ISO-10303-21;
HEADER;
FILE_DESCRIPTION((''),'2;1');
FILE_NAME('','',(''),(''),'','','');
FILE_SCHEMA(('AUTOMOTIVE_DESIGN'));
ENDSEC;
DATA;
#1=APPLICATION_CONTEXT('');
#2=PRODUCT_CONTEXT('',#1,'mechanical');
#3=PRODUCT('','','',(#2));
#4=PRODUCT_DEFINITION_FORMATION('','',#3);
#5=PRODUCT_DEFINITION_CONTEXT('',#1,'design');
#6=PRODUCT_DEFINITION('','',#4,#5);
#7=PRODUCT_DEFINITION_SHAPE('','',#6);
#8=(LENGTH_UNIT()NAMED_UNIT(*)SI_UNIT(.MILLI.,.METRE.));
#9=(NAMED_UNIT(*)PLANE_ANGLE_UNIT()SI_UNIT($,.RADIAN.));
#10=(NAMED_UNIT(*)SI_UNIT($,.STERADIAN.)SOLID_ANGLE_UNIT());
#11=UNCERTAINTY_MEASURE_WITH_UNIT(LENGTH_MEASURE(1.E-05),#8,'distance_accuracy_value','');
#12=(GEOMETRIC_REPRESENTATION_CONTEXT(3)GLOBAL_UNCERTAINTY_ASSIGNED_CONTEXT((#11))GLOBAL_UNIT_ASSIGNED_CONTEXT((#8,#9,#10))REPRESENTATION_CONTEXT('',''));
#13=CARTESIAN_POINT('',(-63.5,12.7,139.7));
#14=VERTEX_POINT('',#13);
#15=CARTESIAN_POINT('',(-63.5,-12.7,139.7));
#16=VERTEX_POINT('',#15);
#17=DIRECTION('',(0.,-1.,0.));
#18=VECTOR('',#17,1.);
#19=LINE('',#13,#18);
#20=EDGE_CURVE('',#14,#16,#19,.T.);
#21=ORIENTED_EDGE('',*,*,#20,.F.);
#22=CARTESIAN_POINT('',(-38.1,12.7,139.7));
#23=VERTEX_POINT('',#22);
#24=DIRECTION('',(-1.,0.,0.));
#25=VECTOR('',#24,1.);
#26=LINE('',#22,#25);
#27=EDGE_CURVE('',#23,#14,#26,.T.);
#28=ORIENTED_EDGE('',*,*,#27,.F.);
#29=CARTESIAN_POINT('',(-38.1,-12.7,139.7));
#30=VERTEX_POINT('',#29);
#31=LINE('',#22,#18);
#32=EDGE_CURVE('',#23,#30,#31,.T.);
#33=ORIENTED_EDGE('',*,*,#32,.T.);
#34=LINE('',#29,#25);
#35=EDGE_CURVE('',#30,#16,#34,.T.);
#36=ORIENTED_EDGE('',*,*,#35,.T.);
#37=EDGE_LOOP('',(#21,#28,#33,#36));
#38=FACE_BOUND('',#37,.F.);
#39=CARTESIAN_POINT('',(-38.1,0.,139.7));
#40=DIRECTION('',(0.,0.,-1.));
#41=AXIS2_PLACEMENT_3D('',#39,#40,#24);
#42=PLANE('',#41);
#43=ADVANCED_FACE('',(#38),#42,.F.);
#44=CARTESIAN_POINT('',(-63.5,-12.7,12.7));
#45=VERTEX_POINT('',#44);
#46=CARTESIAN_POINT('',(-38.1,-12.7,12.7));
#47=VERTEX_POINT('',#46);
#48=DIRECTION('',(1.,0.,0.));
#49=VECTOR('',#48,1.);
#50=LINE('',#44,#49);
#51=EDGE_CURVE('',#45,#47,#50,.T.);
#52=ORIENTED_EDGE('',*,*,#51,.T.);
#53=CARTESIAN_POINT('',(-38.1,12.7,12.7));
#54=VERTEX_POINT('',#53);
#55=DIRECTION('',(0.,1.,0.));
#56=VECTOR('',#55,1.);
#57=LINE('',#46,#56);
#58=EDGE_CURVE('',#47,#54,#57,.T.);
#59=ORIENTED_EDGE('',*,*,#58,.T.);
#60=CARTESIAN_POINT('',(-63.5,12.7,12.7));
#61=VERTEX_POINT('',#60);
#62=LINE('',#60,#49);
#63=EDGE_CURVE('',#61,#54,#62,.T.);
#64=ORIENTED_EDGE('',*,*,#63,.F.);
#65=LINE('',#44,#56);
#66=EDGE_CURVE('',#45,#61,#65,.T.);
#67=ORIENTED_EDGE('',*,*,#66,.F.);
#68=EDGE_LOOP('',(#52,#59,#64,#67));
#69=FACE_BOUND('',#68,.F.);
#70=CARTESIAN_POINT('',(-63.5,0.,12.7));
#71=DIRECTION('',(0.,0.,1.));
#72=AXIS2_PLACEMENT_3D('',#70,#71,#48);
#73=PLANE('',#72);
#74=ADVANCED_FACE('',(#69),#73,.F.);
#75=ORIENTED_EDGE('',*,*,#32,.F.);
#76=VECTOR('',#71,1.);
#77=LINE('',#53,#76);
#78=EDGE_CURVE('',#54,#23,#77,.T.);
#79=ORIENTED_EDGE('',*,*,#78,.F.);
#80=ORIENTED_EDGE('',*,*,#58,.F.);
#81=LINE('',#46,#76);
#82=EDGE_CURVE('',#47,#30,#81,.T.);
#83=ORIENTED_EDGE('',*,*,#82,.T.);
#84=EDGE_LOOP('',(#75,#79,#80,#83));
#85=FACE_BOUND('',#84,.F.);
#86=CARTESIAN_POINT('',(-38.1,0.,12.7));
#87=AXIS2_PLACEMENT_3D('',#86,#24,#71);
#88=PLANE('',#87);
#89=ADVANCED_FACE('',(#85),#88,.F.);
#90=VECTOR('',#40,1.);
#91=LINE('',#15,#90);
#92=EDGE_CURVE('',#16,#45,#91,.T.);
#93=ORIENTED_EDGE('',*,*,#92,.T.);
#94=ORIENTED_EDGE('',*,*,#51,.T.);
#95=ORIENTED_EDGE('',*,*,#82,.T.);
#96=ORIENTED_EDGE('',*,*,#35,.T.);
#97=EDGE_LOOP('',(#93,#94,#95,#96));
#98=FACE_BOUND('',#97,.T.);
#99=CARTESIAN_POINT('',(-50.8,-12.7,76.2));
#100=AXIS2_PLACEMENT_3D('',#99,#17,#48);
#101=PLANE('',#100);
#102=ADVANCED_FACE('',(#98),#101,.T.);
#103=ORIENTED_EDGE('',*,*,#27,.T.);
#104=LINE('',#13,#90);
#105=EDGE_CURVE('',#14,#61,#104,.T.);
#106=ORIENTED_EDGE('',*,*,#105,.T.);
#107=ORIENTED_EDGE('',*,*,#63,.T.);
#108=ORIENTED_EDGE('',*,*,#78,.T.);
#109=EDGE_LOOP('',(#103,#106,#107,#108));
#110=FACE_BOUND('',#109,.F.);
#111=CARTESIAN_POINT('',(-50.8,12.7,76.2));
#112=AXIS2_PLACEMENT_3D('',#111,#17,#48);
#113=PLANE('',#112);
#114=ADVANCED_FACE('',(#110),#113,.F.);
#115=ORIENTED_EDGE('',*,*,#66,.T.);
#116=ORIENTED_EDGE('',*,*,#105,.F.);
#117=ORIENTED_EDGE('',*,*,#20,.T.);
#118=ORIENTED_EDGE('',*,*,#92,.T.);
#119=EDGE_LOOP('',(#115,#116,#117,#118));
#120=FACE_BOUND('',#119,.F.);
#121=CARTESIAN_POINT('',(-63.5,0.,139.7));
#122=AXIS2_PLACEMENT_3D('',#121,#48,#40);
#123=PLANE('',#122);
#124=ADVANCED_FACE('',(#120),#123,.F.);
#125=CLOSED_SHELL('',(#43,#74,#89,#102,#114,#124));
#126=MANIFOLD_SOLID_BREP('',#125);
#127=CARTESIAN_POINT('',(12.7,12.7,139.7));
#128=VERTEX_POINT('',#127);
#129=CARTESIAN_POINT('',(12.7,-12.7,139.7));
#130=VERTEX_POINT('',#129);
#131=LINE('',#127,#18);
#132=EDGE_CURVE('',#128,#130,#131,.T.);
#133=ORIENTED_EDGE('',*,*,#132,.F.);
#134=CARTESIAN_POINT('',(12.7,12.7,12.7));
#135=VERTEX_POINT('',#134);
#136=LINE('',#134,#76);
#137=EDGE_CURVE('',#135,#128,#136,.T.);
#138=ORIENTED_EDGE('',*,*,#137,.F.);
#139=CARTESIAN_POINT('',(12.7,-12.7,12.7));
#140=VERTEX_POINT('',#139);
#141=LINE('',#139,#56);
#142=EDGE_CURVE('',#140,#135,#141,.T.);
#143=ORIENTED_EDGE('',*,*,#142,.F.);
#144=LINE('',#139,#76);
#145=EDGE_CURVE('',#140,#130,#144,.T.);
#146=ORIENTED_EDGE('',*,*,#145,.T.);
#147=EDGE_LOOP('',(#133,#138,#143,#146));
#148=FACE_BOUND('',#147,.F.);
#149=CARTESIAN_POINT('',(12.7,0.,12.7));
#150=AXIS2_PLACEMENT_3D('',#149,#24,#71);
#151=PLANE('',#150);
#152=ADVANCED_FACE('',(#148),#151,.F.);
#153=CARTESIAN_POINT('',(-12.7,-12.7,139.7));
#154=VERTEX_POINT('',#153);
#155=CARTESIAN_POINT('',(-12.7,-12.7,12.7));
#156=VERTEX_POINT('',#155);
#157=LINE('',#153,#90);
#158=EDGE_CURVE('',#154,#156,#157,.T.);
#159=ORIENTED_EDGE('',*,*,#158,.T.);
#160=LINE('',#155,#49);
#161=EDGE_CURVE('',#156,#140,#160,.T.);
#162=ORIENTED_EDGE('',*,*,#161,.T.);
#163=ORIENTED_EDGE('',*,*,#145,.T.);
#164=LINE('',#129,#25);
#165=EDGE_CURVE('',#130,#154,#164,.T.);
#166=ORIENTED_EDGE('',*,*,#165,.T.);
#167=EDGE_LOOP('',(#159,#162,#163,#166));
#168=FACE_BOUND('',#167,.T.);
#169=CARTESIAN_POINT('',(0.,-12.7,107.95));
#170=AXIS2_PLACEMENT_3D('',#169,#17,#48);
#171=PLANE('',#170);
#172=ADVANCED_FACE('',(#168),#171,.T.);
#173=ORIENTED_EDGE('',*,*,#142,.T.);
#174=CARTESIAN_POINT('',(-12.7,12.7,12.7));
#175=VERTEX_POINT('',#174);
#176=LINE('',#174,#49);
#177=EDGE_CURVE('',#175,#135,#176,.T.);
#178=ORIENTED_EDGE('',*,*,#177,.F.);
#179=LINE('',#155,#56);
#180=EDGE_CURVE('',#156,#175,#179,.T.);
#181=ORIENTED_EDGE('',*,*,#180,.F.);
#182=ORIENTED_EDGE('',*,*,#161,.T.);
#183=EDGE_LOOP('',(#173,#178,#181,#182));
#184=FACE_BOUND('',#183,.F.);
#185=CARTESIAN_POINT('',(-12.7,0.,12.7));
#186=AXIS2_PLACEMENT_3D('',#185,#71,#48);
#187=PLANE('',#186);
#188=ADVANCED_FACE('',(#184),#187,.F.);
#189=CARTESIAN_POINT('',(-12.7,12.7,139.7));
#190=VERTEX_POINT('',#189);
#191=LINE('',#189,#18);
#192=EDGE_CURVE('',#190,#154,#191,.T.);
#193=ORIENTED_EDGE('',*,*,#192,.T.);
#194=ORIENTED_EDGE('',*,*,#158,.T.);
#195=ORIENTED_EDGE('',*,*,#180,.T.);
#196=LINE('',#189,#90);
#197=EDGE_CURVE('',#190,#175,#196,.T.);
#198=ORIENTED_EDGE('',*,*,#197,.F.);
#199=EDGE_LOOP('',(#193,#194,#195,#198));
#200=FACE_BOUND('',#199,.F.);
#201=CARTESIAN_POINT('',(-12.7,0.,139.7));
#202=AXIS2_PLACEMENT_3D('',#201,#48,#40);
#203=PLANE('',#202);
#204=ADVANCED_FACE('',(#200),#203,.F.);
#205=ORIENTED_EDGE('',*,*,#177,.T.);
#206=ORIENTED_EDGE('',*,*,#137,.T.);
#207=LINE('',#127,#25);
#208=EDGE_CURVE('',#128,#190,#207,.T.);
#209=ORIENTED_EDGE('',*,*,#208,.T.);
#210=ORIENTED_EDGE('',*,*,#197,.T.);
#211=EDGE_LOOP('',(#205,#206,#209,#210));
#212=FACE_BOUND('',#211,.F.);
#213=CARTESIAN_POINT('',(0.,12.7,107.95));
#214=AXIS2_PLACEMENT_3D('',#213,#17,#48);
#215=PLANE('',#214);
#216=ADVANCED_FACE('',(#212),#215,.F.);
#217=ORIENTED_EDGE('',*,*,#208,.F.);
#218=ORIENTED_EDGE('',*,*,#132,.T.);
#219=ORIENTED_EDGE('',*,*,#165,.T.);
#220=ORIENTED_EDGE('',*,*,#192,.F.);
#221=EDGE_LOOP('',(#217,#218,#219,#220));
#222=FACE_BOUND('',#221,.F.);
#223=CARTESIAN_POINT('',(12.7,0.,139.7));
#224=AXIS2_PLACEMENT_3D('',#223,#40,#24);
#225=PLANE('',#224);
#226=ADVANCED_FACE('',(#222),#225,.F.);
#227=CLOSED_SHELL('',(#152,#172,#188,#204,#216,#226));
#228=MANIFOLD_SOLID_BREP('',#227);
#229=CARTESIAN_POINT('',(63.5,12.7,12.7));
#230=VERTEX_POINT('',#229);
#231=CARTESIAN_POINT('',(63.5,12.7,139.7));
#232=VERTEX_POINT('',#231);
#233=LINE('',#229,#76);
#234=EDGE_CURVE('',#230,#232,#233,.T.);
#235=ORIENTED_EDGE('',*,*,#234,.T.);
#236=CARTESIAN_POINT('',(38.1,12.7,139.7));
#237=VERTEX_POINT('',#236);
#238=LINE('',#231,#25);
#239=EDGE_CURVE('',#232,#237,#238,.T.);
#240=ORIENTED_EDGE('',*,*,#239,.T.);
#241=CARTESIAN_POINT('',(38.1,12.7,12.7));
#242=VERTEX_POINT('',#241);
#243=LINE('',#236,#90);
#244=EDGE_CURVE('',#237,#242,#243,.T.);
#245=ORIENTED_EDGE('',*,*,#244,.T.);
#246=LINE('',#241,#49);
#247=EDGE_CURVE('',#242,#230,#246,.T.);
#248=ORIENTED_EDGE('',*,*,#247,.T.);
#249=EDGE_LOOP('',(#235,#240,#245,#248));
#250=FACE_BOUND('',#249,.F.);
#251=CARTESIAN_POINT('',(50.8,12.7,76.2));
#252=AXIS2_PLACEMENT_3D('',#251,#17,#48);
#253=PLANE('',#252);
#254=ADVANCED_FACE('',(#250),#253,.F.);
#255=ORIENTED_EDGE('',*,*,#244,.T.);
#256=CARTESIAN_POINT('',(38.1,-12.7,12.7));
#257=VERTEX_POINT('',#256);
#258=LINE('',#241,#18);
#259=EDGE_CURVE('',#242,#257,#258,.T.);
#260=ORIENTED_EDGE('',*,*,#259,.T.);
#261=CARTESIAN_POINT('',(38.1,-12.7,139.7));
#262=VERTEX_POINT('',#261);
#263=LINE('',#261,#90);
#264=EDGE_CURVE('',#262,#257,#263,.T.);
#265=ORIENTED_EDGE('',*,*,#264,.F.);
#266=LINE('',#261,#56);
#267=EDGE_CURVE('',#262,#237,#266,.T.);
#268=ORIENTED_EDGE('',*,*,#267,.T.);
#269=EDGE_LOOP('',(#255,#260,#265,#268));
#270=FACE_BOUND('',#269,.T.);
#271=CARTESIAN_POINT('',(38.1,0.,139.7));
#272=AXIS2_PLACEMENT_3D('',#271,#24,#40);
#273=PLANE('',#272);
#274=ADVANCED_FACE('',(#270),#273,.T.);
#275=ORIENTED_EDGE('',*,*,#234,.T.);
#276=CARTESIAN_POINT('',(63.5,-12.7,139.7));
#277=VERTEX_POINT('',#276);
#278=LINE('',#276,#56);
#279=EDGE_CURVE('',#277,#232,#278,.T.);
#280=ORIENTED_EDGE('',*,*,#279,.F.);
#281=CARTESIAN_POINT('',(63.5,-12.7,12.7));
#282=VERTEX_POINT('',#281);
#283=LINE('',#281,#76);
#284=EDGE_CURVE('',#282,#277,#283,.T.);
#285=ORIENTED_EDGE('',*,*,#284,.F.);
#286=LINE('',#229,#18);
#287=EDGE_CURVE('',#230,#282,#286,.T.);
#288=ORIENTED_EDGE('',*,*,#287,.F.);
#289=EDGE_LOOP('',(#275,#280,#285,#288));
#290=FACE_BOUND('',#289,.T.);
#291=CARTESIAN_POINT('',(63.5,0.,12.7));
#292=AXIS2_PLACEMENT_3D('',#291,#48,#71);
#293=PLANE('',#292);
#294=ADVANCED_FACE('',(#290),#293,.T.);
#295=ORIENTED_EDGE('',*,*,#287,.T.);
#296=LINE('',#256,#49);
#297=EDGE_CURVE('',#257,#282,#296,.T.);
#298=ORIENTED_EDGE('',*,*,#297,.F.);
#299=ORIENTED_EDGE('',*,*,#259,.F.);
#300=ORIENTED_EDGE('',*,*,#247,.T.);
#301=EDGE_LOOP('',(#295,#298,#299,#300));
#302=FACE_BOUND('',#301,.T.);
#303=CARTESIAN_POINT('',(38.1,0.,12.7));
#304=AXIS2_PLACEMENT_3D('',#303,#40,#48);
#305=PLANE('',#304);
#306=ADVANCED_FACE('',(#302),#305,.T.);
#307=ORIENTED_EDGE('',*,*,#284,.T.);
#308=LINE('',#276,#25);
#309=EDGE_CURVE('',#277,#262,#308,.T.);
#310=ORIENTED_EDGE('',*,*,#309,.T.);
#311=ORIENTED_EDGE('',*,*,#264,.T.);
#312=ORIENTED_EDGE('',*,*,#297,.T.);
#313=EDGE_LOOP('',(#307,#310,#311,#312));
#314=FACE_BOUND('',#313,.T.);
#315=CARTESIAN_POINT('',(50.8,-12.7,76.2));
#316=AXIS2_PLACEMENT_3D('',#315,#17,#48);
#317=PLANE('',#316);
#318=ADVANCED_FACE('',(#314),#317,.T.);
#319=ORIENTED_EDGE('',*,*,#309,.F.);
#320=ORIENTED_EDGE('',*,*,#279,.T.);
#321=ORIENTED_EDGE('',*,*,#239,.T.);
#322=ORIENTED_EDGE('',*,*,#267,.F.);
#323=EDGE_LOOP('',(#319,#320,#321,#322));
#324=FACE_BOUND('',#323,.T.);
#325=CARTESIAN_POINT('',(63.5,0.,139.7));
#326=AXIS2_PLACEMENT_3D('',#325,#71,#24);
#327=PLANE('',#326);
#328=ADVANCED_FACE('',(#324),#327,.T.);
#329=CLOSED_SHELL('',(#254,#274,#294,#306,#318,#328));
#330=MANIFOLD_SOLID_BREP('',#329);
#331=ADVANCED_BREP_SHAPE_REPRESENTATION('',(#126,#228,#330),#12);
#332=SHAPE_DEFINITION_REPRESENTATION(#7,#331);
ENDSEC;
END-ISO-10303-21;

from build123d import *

# Parameters (mm, degrees)
F0_W     = 12.7
F0_H     = 63.5
F1_DEPTH = 12.7


with BuildPart() as f1:
    # F0 (on Front) → F1 (new body, symmetric)
    with BuildSketch(Plane.XZ):
        Polygon((-38.1, 12.7), (-38.1, 76.2), (-38.1, 139.7), (-63.5, 139.7), (-63.5, 12.7), align=None)
        Polygon((-12.7, 76.2), (0, 76.2), (12.7, 76.2), (12.7, 139.7), (-12.7, 139.7), align=None)
        with Locations((6.35, 44.45)):
            Rectangle(F0_W, F0_H)
        with Locations((-6.35, 44.45)):
            Rectangle(F0_W, F0_H)
        Polygon((38.1, 139.7), (38.1, 76.2), (38.1, 12.7), (63.5, 12.7), (63.5, 139.7), align=None)
    extrude(amount=F1_DEPTH, both=True)


solid = f1.part
